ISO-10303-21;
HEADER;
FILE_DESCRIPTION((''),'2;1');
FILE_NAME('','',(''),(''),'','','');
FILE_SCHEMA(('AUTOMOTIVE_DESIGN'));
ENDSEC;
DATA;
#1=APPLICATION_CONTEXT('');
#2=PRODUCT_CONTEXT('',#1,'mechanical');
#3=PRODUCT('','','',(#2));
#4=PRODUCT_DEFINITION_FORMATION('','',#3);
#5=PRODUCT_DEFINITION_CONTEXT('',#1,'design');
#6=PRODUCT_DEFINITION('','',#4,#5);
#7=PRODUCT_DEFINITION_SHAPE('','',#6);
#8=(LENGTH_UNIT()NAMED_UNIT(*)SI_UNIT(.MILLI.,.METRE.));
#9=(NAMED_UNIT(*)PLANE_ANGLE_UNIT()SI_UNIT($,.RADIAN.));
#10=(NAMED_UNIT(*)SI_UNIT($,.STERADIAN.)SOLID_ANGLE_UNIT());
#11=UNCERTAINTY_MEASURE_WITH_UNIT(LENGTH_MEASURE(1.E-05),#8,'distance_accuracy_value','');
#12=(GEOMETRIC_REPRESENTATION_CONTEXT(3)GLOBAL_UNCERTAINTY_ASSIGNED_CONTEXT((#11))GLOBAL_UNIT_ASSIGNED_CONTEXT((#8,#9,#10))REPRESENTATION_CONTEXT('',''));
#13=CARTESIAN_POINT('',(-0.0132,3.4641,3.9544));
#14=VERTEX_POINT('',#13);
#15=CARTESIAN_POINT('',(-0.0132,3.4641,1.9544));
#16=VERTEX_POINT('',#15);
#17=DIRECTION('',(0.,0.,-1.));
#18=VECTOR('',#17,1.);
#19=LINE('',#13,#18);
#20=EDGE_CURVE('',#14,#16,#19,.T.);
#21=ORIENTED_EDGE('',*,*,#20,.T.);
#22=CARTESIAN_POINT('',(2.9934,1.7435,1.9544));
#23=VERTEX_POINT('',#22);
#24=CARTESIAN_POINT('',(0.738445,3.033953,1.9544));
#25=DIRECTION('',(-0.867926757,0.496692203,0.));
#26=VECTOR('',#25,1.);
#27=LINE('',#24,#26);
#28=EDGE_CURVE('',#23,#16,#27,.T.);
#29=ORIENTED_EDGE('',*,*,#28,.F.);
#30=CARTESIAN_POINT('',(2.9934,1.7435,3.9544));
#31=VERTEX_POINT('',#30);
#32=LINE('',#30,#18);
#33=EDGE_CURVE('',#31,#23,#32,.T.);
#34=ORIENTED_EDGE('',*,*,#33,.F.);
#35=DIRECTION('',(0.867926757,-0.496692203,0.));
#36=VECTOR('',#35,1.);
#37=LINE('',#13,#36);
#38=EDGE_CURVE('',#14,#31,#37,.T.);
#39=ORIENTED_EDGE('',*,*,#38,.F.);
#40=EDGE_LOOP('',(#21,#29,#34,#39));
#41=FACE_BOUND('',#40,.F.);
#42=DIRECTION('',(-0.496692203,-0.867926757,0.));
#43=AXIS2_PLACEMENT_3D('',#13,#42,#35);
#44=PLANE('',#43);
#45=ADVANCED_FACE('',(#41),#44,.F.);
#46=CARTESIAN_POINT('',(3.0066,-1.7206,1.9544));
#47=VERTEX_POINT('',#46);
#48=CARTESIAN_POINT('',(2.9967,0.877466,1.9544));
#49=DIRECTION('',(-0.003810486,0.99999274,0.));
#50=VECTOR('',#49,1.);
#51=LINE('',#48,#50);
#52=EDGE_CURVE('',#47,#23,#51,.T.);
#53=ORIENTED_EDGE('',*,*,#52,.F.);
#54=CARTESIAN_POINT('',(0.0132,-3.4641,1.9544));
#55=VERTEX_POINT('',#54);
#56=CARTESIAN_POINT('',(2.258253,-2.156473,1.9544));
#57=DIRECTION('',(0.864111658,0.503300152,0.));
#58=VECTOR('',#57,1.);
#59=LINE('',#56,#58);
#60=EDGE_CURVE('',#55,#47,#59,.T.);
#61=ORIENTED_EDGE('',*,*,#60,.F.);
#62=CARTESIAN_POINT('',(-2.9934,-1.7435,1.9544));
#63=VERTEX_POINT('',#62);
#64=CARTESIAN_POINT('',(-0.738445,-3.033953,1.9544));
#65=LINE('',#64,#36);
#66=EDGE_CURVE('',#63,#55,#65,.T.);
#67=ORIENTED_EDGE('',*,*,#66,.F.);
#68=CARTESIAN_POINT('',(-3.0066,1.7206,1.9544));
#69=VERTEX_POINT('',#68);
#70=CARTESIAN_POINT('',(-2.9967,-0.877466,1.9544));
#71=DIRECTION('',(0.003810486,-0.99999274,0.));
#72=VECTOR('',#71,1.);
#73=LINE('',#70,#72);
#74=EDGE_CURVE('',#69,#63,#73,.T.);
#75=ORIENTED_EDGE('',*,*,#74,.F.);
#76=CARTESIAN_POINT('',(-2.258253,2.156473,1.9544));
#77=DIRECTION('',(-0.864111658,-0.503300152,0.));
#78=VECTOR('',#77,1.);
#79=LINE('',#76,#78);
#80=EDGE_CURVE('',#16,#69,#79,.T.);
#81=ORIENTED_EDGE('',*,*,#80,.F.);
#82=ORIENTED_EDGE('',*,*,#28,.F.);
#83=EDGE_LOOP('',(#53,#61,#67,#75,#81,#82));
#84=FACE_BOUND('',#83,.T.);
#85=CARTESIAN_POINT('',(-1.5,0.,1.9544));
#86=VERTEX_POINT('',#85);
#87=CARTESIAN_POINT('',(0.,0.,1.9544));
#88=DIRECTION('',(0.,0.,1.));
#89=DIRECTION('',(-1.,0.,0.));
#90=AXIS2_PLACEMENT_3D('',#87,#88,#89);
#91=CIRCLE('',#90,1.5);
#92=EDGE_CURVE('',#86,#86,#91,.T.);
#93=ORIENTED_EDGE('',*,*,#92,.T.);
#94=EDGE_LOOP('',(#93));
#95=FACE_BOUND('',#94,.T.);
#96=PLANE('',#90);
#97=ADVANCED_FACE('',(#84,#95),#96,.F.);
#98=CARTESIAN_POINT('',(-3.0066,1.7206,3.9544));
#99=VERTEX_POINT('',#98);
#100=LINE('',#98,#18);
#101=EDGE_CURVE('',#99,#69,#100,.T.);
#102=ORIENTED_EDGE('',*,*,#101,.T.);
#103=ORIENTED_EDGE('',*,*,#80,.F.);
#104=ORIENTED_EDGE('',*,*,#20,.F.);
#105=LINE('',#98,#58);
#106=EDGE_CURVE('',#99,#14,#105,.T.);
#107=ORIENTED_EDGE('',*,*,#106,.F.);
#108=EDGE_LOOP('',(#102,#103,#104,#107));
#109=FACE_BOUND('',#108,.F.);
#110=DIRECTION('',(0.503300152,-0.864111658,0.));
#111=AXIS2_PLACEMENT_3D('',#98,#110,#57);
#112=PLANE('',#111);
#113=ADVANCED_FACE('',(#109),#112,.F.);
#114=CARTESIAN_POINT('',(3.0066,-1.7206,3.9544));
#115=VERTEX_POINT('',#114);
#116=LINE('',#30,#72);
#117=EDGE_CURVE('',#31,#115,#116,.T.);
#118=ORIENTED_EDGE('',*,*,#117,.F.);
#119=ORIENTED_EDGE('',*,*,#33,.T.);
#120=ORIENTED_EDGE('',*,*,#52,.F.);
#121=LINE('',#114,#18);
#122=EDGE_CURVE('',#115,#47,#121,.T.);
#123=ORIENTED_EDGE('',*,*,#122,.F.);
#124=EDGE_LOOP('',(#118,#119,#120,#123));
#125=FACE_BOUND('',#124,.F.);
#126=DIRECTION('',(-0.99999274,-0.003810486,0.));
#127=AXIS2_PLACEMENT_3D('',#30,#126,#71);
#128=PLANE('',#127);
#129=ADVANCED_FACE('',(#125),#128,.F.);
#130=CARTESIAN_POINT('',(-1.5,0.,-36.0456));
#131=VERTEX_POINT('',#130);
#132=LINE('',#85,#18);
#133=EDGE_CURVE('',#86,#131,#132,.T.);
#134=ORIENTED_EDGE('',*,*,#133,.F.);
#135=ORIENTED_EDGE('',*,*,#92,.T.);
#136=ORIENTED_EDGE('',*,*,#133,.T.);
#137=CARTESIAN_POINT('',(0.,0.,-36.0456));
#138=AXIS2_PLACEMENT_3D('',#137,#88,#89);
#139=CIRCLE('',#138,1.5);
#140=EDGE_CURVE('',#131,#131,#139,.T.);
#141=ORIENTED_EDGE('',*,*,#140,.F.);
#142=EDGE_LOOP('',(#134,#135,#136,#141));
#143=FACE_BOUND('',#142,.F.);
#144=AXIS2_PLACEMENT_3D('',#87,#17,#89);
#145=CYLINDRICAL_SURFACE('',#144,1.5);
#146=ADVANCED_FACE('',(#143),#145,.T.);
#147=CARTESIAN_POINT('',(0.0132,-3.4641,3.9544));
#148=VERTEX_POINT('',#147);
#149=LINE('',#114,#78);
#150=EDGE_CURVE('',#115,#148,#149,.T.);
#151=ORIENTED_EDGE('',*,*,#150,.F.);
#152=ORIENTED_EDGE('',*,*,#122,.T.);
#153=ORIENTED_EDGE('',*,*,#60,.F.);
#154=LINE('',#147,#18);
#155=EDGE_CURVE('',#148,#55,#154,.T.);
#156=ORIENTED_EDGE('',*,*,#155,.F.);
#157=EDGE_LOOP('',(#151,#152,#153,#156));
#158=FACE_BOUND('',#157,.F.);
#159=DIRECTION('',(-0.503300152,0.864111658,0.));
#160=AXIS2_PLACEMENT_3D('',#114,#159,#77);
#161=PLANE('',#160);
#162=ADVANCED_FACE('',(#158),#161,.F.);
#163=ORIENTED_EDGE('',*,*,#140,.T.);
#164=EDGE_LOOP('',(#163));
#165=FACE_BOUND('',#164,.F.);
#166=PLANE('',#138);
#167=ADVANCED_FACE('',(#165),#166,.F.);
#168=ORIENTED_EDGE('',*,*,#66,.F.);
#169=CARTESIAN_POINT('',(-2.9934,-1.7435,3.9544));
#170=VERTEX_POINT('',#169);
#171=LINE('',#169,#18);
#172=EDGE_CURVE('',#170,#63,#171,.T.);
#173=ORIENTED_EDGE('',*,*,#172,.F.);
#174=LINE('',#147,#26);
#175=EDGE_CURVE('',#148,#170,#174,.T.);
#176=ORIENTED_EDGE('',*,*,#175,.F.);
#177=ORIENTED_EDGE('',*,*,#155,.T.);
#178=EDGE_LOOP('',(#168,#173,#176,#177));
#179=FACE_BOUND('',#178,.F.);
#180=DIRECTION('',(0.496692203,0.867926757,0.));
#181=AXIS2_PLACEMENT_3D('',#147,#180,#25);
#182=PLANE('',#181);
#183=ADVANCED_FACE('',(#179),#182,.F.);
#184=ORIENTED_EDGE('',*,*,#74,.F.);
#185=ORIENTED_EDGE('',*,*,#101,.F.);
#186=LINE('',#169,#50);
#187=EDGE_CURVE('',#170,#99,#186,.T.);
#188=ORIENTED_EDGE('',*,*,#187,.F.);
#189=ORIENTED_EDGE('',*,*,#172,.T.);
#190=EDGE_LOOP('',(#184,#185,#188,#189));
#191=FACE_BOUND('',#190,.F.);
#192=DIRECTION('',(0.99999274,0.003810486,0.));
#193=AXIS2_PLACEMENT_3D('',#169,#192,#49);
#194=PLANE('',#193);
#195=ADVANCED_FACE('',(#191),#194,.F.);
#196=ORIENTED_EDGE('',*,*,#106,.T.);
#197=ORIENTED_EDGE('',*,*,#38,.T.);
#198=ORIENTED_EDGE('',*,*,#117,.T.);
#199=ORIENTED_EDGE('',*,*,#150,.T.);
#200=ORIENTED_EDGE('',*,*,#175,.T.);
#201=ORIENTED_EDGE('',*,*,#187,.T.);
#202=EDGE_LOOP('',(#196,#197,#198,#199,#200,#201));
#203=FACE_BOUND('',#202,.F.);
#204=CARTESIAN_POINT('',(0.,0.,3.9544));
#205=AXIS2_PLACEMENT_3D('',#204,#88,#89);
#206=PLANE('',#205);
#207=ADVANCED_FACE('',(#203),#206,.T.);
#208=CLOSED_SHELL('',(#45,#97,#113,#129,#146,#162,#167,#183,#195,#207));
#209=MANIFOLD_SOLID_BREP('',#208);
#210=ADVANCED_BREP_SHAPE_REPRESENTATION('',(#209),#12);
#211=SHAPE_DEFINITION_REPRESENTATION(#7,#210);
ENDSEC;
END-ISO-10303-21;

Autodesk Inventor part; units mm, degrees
ref_plane "YZ Plane" through (0, 0, 0) normal (1, 0, 0) x (0, 1, 0)
ref_plane "XZ Plane" through (0, 0, 0) normal (0, 1, 0) x (-1, 0, 0)
ref_plane "XY Plane" through (0, 0, 0) normal (0, 0, 1) x (1, 0, 0)
sketch "Sketch1" plane through (0, 0, 0) normal (0, 1, 0) x (-1, 0, 0)
  line L0 (0, 3.9544) -> (10, 3.9544)
  line L1 (1.5, 1.9544) -> (1.5, -36.0456)
  line L2 (1.5, -36.0456) -> (0, -36.0456)
  line L3 (0, -36.0456) -> (0, 3.9544)
  line L4 (1.5, 1.9544) -> (10, 1.9544)
  line L5 (10, 3.9544) -> (10, 1.9544)
  point P0 (0, 0)
  dimension "d0" = 10
  dimension "d1" = 2
  dimension "d2" = 40
  dimension "d21" = 1.5
revolve "Revolution1" add sketch "Sketch1" angle 360 about axis through (0, 0, -36.0456) along (0, 0, 1)
thread "Thread2" size "M3x0.5" class "6g" standard "ANSI Metric M Profile" full length
sketch "Sketch5" plane through (0, 0, 3.9544) normal (0, 0, 1) x (1, 0, 0)
  line L0 (-3.0066, 1.7206) -> (-0.0132, 3.4641)
  line L1 (-0.0132, 3.4641) -> (2.9934, 1.7435)
  line L2 (2.9934, 1.7435) -> (3.0066, -1.7206)
  line L3 (3.0066, -1.7206) -> (0.0132, -3.4641)
  line L4 (0.0132, -3.4641) -> (-2.9934, -1.7435)
  line L5 (-2.9934, -1.7435) -> (-3.0066, 1.7206)
  circle A0 centre (0, 0) radius 18.6664
  dimension "d24" = 6
extrude "Extrusion1" cut sketch "Sketch5" against normal through all
properties part number "Fi3es60mmcsavar" material "Steel, Alloy"
